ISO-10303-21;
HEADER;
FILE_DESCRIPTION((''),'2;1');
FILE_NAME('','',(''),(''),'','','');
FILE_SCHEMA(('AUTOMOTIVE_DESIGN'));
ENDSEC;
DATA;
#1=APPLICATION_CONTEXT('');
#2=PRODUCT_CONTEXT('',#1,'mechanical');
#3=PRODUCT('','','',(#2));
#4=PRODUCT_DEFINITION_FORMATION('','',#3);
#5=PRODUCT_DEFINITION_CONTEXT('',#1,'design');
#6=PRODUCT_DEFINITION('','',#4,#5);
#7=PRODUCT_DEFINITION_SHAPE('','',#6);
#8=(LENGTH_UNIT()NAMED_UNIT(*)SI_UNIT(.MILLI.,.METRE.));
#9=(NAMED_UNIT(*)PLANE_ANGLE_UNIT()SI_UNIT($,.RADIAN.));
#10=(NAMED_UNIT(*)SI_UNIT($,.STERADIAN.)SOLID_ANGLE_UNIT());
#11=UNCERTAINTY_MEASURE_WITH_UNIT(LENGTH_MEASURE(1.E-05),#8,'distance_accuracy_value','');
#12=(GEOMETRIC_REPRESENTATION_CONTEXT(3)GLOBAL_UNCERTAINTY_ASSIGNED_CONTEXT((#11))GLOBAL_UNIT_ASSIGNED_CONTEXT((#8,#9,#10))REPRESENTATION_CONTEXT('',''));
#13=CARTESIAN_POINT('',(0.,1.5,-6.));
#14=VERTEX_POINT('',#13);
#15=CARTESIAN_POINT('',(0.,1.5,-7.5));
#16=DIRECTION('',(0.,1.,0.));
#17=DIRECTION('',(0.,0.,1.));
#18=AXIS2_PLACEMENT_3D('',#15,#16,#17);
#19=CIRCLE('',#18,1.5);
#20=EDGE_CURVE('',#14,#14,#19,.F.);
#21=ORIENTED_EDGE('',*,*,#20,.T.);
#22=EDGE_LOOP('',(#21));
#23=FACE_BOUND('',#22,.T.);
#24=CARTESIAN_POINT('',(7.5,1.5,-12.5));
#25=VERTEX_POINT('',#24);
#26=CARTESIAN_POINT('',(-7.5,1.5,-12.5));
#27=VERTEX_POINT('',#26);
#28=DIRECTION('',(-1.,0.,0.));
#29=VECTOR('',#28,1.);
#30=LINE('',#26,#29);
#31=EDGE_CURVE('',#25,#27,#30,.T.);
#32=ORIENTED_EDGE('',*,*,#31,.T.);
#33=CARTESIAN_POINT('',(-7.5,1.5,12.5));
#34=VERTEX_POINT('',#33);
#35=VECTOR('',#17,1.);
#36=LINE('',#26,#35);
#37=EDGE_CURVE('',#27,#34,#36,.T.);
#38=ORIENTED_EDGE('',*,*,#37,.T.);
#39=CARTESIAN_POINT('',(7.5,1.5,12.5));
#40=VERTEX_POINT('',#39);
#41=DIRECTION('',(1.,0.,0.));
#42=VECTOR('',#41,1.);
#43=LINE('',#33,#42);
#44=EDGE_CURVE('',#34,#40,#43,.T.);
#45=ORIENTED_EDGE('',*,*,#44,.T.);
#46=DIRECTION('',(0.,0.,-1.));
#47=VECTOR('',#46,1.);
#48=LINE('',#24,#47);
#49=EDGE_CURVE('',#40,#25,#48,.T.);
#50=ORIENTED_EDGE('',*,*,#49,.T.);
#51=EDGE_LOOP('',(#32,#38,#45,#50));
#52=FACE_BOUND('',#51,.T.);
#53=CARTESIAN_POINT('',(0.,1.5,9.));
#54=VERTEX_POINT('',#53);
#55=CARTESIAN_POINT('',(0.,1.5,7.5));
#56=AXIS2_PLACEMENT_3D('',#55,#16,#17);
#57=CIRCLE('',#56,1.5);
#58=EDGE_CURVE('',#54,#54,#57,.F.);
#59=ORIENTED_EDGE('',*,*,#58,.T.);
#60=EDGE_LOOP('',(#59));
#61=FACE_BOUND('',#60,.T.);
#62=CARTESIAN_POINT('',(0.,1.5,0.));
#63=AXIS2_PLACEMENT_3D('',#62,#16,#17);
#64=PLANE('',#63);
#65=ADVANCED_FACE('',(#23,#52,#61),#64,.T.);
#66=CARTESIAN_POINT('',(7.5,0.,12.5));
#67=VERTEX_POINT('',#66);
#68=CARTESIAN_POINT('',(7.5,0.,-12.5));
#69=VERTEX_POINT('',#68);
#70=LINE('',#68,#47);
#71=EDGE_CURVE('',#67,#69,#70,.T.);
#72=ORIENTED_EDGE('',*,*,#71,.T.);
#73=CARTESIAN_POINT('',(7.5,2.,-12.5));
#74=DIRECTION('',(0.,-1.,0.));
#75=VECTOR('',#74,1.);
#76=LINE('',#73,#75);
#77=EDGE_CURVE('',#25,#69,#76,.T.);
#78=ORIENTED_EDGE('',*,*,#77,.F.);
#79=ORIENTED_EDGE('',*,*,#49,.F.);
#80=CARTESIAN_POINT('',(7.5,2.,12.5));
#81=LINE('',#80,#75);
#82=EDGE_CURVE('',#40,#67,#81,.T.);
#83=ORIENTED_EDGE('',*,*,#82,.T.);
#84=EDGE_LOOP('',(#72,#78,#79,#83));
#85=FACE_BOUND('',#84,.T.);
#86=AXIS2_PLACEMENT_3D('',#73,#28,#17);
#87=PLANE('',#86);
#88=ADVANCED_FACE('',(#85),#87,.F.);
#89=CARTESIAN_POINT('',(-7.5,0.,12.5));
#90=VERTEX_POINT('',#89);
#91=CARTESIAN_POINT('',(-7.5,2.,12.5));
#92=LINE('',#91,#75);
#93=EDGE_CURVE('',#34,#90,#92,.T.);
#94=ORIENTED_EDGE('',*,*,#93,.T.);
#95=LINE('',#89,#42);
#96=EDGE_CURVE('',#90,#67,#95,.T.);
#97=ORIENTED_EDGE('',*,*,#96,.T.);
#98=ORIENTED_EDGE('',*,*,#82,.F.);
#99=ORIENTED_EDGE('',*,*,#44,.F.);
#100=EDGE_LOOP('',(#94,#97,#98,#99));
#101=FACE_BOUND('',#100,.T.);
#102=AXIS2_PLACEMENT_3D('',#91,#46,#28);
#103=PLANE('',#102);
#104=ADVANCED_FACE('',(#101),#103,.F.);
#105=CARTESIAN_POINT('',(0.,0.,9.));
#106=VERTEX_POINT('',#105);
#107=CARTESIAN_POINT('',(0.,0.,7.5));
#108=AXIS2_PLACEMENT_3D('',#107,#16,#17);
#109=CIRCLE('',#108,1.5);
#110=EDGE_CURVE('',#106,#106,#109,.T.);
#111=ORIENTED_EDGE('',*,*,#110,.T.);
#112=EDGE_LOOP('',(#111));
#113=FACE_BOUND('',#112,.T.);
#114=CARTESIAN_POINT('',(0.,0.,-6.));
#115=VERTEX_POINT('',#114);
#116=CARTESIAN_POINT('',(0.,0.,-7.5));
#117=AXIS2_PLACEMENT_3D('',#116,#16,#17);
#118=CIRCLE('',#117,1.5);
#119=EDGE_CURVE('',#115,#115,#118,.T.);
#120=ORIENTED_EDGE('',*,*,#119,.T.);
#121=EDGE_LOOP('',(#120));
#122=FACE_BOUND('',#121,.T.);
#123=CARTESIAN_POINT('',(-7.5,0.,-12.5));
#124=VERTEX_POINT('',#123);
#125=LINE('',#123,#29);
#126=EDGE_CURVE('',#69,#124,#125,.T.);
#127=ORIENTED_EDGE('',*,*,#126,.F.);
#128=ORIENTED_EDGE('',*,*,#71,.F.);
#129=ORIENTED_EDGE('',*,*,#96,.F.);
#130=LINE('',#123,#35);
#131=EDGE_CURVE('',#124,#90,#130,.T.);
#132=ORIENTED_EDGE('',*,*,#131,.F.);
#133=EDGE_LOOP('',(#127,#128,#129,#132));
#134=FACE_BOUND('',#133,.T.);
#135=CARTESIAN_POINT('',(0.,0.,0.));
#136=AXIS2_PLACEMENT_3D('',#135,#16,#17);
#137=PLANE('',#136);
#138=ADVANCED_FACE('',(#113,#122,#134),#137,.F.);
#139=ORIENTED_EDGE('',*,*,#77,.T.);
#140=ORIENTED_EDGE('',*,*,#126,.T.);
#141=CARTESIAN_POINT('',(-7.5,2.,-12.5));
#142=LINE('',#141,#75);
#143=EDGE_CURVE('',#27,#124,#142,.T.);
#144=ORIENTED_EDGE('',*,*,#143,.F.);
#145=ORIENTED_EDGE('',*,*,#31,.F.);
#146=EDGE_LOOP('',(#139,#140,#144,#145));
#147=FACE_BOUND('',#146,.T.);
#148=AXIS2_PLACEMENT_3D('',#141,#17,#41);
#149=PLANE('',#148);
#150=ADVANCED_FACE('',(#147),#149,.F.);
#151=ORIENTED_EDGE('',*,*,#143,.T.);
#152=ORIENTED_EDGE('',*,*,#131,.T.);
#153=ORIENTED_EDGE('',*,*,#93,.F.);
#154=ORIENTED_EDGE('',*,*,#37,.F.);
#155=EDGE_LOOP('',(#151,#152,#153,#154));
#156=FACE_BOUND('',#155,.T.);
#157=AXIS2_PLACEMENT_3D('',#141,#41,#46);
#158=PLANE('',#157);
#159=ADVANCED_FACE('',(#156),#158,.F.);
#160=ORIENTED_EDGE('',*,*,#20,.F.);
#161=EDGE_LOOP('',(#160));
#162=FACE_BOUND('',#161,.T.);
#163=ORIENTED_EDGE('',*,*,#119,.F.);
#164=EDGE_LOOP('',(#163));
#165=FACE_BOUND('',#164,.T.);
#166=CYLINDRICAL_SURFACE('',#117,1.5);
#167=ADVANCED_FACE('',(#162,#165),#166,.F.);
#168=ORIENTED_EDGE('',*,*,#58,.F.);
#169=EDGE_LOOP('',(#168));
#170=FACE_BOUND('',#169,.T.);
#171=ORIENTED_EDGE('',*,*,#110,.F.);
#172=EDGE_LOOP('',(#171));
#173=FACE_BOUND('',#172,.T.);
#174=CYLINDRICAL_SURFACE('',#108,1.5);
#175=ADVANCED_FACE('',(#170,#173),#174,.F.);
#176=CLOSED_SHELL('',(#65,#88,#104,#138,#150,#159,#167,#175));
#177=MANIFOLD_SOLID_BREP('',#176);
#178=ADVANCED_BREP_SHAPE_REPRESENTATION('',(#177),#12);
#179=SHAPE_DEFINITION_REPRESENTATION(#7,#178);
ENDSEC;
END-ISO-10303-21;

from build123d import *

# Parameters (mm, degrees)
CROQUIS1_W              = 15
CROQUIS1_H              = 25
SALIENTE_EXTRUIR2_DEPTH = 2
CROQUIS2_R              = 1.5
CORTAR_EXTRUIR1_DEPTH   = 2
CROQUIS3_W              = 26.611189866
CROQUIS3_H              = 39.098747884
CORTAR_EXTRUIR2_DEPTH   = 0.5


with BuildPart() as part:
    # Croquis1 → Saliente-Extruir2 (new body)
    with BuildSketch(Plane(origin=(0, 0, 0), x_dir=(1, 0, 0), z_dir=(0, 1, 0))):
        Rectangle(CROQUIS1_W, CROQUIS1_H)
    extrude(amount=SALIENTE_EXTRUIR2_DEPTH)

    # Croquis2 → Cortar-Extruir1 (cut)
    with BuildSketch(Plane(origin=(0, 2, 0), x_dir=(1, 0, 0), z_dir=(0, 1, 0))):
        with Locations(Location((0, 7.5, 0), (0, 0, 270))):
            Circle(CROQUIS2_R)
        with Locations(Location((0, -7.5, 0), (0, 0, 270))):
            Circle(CROQUIS2_R)
    extrude(amount=-CORTAR_EXTRUIR1_DEPTH, mode=Mode.SUBTRACT)

    # Croquis3 → Cortar-Extruir2 (cut)
    with BuildSketch(Plane(origin=(0, 2, 0), x_dir=(1, 0, 0), z_dir=(0, 1, 0))):
        Rectangle(CROQUIS3_W, CROQUIS3_H)
    extrude(amount=-CORTAR_EXTRUIR2_DEPTH, mode=Mode.SUBTRACT)


solid = part.part
